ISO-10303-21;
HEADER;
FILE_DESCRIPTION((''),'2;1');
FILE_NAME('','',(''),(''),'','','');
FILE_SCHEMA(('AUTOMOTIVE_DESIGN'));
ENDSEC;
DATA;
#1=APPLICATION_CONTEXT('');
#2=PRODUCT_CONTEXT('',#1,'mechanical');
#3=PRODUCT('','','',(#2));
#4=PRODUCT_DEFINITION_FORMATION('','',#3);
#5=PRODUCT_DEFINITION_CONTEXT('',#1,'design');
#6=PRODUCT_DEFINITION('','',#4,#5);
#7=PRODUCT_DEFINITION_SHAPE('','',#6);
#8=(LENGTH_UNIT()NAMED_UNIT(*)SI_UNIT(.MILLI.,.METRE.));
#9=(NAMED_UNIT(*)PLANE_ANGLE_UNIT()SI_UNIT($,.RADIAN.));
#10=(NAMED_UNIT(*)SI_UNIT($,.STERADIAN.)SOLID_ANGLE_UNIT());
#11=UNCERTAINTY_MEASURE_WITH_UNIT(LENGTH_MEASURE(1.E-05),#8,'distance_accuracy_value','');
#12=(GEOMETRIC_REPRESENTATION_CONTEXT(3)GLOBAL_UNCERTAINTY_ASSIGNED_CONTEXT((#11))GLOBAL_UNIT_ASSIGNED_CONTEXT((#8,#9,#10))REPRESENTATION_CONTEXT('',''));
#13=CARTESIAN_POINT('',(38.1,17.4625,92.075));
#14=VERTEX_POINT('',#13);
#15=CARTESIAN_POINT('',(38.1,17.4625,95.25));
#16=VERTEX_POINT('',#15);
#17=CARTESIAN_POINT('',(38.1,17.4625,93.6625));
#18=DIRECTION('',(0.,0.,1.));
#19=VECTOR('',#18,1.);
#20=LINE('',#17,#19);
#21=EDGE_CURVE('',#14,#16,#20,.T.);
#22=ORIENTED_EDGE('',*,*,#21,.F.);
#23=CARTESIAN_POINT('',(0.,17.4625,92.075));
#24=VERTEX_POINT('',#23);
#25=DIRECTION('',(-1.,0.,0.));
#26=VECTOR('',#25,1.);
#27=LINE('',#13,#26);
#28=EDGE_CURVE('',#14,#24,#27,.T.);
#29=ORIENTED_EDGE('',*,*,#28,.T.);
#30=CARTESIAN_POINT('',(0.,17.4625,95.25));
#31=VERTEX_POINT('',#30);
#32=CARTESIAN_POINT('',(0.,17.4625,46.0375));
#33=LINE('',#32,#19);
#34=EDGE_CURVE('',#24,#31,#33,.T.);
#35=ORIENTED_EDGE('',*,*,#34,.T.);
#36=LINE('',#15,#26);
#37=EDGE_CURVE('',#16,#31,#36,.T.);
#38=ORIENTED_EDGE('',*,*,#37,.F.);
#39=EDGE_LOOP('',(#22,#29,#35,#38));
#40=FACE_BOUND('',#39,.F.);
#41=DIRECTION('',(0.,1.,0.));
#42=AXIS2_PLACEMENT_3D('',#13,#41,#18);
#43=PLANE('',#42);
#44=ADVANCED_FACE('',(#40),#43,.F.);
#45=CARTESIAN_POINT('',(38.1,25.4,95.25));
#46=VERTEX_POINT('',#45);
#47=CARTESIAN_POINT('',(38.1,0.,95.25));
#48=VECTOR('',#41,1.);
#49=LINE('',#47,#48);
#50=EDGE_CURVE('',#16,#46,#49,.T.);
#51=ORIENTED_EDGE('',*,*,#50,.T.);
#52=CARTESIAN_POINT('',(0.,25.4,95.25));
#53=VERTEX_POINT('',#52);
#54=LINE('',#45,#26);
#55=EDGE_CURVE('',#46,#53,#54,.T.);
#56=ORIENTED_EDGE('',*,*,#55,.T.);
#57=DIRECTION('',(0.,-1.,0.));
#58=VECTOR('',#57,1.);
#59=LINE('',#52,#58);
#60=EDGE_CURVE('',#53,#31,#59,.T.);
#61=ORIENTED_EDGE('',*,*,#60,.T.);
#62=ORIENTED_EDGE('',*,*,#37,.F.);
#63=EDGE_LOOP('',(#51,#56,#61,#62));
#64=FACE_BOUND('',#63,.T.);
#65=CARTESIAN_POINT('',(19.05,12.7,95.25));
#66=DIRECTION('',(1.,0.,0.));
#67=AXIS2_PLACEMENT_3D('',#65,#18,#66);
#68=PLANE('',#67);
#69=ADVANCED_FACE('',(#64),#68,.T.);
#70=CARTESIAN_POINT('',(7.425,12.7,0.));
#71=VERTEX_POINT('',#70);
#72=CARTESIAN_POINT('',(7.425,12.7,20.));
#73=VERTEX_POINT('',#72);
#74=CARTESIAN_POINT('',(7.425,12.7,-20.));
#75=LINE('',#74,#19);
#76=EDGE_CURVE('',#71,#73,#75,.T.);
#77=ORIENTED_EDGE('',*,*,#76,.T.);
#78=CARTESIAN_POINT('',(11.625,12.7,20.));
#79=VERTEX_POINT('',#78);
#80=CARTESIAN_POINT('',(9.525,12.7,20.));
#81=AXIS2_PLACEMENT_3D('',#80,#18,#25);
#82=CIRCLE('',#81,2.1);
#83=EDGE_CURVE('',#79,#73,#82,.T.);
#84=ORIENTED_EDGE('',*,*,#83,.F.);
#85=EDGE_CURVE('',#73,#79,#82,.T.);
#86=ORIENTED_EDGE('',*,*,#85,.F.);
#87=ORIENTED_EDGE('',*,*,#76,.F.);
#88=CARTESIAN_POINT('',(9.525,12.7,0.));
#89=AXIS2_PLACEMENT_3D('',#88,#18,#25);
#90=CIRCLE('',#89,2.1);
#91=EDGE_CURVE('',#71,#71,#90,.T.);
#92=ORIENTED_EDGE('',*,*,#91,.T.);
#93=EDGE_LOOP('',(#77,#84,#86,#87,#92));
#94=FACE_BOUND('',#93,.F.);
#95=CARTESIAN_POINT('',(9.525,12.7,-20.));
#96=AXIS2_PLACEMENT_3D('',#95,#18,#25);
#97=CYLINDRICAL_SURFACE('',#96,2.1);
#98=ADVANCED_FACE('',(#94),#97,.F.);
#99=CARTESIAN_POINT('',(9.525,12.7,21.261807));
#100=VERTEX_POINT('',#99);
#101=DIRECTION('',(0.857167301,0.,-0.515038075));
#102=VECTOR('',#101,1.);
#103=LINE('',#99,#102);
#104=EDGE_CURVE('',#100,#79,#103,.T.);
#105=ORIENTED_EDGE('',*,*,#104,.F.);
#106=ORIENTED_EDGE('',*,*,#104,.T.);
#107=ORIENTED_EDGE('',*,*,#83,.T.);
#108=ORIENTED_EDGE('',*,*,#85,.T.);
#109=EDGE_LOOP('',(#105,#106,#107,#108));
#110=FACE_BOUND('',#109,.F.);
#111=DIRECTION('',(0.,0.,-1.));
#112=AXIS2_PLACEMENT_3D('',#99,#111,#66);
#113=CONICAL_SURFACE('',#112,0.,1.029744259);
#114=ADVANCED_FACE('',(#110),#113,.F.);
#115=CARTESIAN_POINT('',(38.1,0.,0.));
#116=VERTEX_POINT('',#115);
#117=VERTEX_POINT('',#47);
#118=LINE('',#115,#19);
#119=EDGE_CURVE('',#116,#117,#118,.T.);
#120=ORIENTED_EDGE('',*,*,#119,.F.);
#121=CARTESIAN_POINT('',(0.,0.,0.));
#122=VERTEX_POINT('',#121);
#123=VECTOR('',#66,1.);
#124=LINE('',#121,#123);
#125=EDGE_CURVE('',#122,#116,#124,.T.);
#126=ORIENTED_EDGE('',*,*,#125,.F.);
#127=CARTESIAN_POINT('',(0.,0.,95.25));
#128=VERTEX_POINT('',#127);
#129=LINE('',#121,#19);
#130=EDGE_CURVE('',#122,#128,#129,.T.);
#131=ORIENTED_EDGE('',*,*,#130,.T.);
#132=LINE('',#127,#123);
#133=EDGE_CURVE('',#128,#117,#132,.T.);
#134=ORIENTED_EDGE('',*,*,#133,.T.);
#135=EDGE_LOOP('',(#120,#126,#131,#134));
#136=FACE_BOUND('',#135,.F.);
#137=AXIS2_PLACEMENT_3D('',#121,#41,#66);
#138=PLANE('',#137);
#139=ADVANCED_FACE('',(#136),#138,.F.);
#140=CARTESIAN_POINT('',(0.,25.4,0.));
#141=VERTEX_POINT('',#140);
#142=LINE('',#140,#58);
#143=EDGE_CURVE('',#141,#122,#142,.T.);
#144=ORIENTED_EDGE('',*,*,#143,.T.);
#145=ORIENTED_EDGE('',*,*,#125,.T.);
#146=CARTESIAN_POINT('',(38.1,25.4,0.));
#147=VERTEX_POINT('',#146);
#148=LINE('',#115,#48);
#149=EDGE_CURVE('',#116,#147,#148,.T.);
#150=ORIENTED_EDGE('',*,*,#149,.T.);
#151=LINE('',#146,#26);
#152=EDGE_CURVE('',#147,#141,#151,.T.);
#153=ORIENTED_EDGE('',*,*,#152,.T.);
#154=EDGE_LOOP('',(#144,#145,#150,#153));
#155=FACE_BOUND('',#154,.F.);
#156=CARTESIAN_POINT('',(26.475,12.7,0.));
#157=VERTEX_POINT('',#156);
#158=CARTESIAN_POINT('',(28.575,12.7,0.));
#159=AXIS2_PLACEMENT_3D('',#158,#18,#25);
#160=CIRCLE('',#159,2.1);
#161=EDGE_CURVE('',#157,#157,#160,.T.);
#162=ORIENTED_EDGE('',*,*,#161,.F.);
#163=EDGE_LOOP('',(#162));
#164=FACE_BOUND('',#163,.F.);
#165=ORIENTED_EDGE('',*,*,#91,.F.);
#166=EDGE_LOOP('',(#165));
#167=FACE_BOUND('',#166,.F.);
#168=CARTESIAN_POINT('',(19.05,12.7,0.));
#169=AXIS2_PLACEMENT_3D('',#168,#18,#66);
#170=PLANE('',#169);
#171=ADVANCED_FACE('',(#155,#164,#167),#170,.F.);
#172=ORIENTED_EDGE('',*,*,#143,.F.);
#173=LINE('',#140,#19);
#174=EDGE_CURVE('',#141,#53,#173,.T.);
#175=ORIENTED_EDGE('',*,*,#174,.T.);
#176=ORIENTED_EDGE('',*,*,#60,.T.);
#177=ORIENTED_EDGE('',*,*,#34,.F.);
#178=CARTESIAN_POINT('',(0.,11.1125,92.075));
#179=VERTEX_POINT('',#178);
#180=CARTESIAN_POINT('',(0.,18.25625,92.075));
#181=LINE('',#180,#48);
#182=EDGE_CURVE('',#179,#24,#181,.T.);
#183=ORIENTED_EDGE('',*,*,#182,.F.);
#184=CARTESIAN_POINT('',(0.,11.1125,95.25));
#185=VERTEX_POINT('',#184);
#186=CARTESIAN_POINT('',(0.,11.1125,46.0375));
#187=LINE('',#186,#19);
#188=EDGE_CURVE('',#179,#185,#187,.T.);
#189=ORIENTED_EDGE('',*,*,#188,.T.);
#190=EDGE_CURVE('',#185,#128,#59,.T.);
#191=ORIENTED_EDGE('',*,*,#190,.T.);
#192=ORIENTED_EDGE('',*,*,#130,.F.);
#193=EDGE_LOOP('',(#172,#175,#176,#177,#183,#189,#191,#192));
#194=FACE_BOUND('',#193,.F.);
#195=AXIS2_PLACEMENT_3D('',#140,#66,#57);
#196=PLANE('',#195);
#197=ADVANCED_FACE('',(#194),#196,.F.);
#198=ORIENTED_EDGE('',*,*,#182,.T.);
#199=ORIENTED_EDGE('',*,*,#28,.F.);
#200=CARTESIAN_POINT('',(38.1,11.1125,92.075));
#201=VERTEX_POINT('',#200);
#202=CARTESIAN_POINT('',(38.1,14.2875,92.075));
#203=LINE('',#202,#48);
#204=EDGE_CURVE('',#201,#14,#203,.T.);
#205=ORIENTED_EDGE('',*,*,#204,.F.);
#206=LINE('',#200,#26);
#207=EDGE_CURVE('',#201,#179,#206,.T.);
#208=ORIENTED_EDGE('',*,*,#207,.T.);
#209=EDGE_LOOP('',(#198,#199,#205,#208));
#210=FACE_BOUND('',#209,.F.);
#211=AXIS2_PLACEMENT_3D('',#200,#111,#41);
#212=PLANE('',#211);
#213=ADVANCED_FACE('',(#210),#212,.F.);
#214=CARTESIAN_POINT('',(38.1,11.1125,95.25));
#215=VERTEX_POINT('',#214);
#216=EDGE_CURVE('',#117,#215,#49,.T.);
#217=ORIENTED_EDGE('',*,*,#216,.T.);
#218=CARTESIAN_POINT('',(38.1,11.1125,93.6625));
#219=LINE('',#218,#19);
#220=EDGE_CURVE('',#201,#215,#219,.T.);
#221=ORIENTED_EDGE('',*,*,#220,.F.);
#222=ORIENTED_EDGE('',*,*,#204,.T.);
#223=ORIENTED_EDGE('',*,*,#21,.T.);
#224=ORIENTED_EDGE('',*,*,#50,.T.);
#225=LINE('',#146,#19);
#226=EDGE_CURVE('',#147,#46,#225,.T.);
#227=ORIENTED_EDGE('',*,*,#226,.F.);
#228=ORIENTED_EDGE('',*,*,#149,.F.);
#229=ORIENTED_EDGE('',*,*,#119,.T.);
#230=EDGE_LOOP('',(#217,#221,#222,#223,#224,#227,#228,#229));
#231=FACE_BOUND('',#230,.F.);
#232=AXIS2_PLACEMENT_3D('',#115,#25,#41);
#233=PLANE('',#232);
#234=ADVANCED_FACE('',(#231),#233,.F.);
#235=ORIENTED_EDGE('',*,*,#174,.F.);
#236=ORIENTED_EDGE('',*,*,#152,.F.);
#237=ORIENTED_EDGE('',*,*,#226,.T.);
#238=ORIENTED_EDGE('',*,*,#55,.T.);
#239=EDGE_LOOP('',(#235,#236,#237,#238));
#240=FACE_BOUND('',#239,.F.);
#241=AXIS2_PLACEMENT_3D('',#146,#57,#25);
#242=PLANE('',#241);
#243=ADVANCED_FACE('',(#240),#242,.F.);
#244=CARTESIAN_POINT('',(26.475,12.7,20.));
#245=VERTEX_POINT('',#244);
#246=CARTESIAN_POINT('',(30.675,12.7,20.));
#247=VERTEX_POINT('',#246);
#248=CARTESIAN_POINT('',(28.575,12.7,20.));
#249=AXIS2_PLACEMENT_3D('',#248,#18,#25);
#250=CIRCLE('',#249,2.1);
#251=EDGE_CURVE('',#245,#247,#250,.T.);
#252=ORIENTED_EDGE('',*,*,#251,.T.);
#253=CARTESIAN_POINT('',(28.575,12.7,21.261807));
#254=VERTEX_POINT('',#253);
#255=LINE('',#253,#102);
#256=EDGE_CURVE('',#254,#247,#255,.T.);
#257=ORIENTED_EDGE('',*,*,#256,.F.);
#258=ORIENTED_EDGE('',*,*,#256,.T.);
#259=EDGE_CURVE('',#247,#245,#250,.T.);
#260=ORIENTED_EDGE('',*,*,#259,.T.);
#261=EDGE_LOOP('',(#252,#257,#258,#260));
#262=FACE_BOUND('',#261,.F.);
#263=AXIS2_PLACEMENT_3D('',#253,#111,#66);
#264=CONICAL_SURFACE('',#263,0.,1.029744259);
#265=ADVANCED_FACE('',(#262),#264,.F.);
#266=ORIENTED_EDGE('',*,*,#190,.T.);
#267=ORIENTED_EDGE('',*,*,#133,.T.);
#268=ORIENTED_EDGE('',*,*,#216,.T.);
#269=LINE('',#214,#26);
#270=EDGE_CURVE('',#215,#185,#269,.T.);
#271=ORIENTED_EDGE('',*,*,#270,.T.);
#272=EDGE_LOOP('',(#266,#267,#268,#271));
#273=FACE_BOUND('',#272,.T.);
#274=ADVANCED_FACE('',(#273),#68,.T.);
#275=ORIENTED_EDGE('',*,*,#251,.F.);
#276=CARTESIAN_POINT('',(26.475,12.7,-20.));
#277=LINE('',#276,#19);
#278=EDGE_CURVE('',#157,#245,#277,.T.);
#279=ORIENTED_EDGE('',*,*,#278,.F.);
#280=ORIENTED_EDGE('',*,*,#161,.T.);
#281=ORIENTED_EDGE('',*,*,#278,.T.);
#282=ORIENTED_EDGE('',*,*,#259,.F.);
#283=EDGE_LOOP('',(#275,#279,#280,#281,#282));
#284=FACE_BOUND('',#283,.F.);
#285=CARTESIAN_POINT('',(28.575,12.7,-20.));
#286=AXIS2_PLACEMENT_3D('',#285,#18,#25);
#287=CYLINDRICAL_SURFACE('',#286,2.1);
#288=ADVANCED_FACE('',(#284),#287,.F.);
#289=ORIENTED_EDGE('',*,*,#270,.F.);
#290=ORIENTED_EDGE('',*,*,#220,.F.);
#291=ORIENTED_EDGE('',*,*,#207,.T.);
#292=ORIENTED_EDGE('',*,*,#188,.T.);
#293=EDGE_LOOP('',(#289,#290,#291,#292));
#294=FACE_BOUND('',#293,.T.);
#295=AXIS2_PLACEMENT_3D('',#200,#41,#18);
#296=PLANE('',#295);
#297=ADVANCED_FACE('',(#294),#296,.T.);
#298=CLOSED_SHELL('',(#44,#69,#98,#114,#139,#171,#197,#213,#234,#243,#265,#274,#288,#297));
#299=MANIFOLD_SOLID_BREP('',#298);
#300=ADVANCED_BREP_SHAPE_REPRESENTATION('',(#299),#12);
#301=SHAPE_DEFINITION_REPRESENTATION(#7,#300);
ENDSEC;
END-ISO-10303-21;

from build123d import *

# Parameters (mm, degrees)
F0_R     = 2.5
F1_DEPTH = 95.25
F2_W     = 6.35
F2_H     = 3.175
F3_DEPTH = 38.101
F4_D     = 4.2
F4_DEPTH = 20
F4_TIP   = 1.2618073


with BuildPart() as f1:
    # F0 (on Top) → F1 (new body)
    with BuildSketch(Plane.XY):
        Polygon((0, 0), (19.05, 0), (38.1, 0), (38.1, 25.4), (19.05, 25.4), (0, 25.4), align=None)
        with Locations((9.525, 12.7)):
            Circle(F0_R, mode=Mode.SUBTRACT)
        with Locations((28.575, 12.7)):
            Circle(F0_R, mode=Mode.SUBTRACT)
        with Locations((9.525, 12.7)):
            Circle(F0_R)
        with Locations((28.575, 12.7)):
            Circle(F0_R)
    extrude(amount=F1_DEPTH)

    # F2 (on face) → F3 (cut, through all)
    with BuildSketch(Plane.YZ.offset(38.1)):
        with Locations((14.2875, 93.6625)):
            Rectangle(F2_W, F2_H)
    extrude(amount=-F3_DEPTH, mode=Mode.SUBTRACT)

    # F4
    with Locations(Plane(origin=(0, 0, 0), x_dir=(1, 0, 0), z_dir=(0, 0, -1))):
        with Locations((9.525, -12.7), (28.575, -12.7)):
            Hole(F4_D / 2, depth=F4_DEPTH)
            with Locations((0, 0, -(F4_DEPTH + F4_TIP / 2))):  # 118° drill point
                Cone(0, F4_D / 2, F4_TIP, mode=Mode.SUBTRACT)


solid = f1.part
